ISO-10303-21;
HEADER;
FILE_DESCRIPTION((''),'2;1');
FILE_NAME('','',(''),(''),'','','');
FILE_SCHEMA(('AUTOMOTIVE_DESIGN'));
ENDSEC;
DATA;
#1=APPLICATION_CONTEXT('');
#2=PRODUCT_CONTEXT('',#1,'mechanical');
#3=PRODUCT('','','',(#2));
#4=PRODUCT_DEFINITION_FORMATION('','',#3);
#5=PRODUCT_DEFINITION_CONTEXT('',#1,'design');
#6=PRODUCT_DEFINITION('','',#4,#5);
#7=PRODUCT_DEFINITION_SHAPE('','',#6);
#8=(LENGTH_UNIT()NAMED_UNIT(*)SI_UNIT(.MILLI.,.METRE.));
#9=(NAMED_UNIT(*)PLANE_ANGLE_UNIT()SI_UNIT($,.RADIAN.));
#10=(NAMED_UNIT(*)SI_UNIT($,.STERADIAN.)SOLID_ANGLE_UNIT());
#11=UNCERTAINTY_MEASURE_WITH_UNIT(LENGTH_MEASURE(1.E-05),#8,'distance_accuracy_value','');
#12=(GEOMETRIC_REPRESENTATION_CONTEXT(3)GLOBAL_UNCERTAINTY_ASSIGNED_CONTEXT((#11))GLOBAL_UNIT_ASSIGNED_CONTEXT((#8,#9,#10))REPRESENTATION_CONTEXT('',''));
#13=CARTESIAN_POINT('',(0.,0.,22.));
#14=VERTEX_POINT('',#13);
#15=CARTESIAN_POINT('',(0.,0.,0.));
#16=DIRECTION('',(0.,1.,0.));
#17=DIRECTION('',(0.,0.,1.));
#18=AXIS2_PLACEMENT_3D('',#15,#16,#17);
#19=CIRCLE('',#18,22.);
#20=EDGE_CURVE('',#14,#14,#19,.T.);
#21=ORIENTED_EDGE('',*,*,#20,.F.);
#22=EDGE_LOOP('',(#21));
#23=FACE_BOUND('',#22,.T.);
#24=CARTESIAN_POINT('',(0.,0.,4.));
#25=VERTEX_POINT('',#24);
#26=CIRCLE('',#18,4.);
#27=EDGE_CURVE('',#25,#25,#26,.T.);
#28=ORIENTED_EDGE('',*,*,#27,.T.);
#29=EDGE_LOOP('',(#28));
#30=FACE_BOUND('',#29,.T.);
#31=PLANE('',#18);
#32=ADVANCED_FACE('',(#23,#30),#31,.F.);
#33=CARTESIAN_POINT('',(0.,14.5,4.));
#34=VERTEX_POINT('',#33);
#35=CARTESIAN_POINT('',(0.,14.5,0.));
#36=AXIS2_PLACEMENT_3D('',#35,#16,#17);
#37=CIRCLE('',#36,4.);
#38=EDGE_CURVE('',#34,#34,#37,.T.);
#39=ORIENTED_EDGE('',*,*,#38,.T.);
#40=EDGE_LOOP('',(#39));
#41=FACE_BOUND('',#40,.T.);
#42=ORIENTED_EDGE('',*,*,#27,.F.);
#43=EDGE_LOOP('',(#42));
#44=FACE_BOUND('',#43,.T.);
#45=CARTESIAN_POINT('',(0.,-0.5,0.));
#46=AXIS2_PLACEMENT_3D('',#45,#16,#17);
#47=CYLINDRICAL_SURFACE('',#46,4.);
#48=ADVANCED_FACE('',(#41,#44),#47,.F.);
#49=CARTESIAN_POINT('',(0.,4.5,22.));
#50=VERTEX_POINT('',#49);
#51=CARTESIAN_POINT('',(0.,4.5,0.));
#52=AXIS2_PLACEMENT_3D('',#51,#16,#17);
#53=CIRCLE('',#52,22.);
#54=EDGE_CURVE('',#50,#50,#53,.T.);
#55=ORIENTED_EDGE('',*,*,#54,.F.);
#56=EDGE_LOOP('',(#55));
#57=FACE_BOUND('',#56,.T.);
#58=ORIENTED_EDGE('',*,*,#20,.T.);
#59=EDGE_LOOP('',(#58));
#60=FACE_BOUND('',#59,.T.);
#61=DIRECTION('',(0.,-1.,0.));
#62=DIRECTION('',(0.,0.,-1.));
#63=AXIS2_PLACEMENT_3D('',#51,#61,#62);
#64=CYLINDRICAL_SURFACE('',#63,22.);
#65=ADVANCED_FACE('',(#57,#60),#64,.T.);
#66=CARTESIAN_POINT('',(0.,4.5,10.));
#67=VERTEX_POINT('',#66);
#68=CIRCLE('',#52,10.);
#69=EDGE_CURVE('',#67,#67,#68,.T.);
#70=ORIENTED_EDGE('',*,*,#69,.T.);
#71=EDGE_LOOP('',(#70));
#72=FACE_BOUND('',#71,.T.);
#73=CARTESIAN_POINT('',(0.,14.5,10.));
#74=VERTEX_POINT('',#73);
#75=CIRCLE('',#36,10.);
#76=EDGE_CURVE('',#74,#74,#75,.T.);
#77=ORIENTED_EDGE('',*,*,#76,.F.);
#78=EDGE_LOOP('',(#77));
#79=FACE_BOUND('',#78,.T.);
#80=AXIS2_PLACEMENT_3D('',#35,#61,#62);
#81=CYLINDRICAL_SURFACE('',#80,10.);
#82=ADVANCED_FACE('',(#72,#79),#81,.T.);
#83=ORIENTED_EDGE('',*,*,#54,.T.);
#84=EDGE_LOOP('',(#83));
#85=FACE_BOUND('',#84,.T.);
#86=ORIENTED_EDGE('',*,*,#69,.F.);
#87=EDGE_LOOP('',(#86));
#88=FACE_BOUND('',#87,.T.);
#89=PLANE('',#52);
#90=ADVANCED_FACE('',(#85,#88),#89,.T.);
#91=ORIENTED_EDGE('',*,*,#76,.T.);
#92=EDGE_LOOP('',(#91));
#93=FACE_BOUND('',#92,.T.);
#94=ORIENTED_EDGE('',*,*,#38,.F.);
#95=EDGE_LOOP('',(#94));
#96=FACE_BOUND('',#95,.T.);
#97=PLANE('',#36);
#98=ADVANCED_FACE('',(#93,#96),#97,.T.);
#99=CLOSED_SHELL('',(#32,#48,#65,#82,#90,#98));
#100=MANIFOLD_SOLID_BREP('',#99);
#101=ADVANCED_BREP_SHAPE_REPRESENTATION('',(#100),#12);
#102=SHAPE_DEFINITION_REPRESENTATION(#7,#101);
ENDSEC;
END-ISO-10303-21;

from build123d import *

# Parameters (mm, degrees)
SKETCH1_R           = 22
BOSS_EXTRUDE1_DEPTH = 4.5
SKETCH3_R           = 10
BOSS_EXTRUDE2_DEPTH = 10
SKETCH4_R           = 4
CUT_EXTRUDE1_DEPTH  = 15


with BuildPart() as part:
    # Sketch1 → Boss-Extrude1 (new body)
    with BuildSketch(Plane(origin=(0, 0, 0), x_dir=(1, 0, 0), z_dir=(0, 1, 0))):
        Circle(SKETCH1_R)
    extrude(amount=BOSS_EXTRUDE1_DEPTH)

    # Sketch3 → Boss-Extrude2 (add)
    with BuildSketch(Plane(origin=(0, 4.5, 0), x_dir=(1, 0, 0), z_dir=(0, 1, 0))):
        Circle(SKETCH3_R)
    extrude(amount=BOSS_EXTRUDE2_DEPTH)

    # Sketch4 → Cut-Extrude1 (cut)
    with BuildSketch(Plane(origin=(0, 14.5, 0), x_dir=(1, 0, 0), z_dir=(0, 1, 0))):
        Circle(SKETCH4_R)
    extrude(amount=-CUT_EXTRUDE1_DEPTH, mode=Mode.SUBTRACT)


solid = part.part
